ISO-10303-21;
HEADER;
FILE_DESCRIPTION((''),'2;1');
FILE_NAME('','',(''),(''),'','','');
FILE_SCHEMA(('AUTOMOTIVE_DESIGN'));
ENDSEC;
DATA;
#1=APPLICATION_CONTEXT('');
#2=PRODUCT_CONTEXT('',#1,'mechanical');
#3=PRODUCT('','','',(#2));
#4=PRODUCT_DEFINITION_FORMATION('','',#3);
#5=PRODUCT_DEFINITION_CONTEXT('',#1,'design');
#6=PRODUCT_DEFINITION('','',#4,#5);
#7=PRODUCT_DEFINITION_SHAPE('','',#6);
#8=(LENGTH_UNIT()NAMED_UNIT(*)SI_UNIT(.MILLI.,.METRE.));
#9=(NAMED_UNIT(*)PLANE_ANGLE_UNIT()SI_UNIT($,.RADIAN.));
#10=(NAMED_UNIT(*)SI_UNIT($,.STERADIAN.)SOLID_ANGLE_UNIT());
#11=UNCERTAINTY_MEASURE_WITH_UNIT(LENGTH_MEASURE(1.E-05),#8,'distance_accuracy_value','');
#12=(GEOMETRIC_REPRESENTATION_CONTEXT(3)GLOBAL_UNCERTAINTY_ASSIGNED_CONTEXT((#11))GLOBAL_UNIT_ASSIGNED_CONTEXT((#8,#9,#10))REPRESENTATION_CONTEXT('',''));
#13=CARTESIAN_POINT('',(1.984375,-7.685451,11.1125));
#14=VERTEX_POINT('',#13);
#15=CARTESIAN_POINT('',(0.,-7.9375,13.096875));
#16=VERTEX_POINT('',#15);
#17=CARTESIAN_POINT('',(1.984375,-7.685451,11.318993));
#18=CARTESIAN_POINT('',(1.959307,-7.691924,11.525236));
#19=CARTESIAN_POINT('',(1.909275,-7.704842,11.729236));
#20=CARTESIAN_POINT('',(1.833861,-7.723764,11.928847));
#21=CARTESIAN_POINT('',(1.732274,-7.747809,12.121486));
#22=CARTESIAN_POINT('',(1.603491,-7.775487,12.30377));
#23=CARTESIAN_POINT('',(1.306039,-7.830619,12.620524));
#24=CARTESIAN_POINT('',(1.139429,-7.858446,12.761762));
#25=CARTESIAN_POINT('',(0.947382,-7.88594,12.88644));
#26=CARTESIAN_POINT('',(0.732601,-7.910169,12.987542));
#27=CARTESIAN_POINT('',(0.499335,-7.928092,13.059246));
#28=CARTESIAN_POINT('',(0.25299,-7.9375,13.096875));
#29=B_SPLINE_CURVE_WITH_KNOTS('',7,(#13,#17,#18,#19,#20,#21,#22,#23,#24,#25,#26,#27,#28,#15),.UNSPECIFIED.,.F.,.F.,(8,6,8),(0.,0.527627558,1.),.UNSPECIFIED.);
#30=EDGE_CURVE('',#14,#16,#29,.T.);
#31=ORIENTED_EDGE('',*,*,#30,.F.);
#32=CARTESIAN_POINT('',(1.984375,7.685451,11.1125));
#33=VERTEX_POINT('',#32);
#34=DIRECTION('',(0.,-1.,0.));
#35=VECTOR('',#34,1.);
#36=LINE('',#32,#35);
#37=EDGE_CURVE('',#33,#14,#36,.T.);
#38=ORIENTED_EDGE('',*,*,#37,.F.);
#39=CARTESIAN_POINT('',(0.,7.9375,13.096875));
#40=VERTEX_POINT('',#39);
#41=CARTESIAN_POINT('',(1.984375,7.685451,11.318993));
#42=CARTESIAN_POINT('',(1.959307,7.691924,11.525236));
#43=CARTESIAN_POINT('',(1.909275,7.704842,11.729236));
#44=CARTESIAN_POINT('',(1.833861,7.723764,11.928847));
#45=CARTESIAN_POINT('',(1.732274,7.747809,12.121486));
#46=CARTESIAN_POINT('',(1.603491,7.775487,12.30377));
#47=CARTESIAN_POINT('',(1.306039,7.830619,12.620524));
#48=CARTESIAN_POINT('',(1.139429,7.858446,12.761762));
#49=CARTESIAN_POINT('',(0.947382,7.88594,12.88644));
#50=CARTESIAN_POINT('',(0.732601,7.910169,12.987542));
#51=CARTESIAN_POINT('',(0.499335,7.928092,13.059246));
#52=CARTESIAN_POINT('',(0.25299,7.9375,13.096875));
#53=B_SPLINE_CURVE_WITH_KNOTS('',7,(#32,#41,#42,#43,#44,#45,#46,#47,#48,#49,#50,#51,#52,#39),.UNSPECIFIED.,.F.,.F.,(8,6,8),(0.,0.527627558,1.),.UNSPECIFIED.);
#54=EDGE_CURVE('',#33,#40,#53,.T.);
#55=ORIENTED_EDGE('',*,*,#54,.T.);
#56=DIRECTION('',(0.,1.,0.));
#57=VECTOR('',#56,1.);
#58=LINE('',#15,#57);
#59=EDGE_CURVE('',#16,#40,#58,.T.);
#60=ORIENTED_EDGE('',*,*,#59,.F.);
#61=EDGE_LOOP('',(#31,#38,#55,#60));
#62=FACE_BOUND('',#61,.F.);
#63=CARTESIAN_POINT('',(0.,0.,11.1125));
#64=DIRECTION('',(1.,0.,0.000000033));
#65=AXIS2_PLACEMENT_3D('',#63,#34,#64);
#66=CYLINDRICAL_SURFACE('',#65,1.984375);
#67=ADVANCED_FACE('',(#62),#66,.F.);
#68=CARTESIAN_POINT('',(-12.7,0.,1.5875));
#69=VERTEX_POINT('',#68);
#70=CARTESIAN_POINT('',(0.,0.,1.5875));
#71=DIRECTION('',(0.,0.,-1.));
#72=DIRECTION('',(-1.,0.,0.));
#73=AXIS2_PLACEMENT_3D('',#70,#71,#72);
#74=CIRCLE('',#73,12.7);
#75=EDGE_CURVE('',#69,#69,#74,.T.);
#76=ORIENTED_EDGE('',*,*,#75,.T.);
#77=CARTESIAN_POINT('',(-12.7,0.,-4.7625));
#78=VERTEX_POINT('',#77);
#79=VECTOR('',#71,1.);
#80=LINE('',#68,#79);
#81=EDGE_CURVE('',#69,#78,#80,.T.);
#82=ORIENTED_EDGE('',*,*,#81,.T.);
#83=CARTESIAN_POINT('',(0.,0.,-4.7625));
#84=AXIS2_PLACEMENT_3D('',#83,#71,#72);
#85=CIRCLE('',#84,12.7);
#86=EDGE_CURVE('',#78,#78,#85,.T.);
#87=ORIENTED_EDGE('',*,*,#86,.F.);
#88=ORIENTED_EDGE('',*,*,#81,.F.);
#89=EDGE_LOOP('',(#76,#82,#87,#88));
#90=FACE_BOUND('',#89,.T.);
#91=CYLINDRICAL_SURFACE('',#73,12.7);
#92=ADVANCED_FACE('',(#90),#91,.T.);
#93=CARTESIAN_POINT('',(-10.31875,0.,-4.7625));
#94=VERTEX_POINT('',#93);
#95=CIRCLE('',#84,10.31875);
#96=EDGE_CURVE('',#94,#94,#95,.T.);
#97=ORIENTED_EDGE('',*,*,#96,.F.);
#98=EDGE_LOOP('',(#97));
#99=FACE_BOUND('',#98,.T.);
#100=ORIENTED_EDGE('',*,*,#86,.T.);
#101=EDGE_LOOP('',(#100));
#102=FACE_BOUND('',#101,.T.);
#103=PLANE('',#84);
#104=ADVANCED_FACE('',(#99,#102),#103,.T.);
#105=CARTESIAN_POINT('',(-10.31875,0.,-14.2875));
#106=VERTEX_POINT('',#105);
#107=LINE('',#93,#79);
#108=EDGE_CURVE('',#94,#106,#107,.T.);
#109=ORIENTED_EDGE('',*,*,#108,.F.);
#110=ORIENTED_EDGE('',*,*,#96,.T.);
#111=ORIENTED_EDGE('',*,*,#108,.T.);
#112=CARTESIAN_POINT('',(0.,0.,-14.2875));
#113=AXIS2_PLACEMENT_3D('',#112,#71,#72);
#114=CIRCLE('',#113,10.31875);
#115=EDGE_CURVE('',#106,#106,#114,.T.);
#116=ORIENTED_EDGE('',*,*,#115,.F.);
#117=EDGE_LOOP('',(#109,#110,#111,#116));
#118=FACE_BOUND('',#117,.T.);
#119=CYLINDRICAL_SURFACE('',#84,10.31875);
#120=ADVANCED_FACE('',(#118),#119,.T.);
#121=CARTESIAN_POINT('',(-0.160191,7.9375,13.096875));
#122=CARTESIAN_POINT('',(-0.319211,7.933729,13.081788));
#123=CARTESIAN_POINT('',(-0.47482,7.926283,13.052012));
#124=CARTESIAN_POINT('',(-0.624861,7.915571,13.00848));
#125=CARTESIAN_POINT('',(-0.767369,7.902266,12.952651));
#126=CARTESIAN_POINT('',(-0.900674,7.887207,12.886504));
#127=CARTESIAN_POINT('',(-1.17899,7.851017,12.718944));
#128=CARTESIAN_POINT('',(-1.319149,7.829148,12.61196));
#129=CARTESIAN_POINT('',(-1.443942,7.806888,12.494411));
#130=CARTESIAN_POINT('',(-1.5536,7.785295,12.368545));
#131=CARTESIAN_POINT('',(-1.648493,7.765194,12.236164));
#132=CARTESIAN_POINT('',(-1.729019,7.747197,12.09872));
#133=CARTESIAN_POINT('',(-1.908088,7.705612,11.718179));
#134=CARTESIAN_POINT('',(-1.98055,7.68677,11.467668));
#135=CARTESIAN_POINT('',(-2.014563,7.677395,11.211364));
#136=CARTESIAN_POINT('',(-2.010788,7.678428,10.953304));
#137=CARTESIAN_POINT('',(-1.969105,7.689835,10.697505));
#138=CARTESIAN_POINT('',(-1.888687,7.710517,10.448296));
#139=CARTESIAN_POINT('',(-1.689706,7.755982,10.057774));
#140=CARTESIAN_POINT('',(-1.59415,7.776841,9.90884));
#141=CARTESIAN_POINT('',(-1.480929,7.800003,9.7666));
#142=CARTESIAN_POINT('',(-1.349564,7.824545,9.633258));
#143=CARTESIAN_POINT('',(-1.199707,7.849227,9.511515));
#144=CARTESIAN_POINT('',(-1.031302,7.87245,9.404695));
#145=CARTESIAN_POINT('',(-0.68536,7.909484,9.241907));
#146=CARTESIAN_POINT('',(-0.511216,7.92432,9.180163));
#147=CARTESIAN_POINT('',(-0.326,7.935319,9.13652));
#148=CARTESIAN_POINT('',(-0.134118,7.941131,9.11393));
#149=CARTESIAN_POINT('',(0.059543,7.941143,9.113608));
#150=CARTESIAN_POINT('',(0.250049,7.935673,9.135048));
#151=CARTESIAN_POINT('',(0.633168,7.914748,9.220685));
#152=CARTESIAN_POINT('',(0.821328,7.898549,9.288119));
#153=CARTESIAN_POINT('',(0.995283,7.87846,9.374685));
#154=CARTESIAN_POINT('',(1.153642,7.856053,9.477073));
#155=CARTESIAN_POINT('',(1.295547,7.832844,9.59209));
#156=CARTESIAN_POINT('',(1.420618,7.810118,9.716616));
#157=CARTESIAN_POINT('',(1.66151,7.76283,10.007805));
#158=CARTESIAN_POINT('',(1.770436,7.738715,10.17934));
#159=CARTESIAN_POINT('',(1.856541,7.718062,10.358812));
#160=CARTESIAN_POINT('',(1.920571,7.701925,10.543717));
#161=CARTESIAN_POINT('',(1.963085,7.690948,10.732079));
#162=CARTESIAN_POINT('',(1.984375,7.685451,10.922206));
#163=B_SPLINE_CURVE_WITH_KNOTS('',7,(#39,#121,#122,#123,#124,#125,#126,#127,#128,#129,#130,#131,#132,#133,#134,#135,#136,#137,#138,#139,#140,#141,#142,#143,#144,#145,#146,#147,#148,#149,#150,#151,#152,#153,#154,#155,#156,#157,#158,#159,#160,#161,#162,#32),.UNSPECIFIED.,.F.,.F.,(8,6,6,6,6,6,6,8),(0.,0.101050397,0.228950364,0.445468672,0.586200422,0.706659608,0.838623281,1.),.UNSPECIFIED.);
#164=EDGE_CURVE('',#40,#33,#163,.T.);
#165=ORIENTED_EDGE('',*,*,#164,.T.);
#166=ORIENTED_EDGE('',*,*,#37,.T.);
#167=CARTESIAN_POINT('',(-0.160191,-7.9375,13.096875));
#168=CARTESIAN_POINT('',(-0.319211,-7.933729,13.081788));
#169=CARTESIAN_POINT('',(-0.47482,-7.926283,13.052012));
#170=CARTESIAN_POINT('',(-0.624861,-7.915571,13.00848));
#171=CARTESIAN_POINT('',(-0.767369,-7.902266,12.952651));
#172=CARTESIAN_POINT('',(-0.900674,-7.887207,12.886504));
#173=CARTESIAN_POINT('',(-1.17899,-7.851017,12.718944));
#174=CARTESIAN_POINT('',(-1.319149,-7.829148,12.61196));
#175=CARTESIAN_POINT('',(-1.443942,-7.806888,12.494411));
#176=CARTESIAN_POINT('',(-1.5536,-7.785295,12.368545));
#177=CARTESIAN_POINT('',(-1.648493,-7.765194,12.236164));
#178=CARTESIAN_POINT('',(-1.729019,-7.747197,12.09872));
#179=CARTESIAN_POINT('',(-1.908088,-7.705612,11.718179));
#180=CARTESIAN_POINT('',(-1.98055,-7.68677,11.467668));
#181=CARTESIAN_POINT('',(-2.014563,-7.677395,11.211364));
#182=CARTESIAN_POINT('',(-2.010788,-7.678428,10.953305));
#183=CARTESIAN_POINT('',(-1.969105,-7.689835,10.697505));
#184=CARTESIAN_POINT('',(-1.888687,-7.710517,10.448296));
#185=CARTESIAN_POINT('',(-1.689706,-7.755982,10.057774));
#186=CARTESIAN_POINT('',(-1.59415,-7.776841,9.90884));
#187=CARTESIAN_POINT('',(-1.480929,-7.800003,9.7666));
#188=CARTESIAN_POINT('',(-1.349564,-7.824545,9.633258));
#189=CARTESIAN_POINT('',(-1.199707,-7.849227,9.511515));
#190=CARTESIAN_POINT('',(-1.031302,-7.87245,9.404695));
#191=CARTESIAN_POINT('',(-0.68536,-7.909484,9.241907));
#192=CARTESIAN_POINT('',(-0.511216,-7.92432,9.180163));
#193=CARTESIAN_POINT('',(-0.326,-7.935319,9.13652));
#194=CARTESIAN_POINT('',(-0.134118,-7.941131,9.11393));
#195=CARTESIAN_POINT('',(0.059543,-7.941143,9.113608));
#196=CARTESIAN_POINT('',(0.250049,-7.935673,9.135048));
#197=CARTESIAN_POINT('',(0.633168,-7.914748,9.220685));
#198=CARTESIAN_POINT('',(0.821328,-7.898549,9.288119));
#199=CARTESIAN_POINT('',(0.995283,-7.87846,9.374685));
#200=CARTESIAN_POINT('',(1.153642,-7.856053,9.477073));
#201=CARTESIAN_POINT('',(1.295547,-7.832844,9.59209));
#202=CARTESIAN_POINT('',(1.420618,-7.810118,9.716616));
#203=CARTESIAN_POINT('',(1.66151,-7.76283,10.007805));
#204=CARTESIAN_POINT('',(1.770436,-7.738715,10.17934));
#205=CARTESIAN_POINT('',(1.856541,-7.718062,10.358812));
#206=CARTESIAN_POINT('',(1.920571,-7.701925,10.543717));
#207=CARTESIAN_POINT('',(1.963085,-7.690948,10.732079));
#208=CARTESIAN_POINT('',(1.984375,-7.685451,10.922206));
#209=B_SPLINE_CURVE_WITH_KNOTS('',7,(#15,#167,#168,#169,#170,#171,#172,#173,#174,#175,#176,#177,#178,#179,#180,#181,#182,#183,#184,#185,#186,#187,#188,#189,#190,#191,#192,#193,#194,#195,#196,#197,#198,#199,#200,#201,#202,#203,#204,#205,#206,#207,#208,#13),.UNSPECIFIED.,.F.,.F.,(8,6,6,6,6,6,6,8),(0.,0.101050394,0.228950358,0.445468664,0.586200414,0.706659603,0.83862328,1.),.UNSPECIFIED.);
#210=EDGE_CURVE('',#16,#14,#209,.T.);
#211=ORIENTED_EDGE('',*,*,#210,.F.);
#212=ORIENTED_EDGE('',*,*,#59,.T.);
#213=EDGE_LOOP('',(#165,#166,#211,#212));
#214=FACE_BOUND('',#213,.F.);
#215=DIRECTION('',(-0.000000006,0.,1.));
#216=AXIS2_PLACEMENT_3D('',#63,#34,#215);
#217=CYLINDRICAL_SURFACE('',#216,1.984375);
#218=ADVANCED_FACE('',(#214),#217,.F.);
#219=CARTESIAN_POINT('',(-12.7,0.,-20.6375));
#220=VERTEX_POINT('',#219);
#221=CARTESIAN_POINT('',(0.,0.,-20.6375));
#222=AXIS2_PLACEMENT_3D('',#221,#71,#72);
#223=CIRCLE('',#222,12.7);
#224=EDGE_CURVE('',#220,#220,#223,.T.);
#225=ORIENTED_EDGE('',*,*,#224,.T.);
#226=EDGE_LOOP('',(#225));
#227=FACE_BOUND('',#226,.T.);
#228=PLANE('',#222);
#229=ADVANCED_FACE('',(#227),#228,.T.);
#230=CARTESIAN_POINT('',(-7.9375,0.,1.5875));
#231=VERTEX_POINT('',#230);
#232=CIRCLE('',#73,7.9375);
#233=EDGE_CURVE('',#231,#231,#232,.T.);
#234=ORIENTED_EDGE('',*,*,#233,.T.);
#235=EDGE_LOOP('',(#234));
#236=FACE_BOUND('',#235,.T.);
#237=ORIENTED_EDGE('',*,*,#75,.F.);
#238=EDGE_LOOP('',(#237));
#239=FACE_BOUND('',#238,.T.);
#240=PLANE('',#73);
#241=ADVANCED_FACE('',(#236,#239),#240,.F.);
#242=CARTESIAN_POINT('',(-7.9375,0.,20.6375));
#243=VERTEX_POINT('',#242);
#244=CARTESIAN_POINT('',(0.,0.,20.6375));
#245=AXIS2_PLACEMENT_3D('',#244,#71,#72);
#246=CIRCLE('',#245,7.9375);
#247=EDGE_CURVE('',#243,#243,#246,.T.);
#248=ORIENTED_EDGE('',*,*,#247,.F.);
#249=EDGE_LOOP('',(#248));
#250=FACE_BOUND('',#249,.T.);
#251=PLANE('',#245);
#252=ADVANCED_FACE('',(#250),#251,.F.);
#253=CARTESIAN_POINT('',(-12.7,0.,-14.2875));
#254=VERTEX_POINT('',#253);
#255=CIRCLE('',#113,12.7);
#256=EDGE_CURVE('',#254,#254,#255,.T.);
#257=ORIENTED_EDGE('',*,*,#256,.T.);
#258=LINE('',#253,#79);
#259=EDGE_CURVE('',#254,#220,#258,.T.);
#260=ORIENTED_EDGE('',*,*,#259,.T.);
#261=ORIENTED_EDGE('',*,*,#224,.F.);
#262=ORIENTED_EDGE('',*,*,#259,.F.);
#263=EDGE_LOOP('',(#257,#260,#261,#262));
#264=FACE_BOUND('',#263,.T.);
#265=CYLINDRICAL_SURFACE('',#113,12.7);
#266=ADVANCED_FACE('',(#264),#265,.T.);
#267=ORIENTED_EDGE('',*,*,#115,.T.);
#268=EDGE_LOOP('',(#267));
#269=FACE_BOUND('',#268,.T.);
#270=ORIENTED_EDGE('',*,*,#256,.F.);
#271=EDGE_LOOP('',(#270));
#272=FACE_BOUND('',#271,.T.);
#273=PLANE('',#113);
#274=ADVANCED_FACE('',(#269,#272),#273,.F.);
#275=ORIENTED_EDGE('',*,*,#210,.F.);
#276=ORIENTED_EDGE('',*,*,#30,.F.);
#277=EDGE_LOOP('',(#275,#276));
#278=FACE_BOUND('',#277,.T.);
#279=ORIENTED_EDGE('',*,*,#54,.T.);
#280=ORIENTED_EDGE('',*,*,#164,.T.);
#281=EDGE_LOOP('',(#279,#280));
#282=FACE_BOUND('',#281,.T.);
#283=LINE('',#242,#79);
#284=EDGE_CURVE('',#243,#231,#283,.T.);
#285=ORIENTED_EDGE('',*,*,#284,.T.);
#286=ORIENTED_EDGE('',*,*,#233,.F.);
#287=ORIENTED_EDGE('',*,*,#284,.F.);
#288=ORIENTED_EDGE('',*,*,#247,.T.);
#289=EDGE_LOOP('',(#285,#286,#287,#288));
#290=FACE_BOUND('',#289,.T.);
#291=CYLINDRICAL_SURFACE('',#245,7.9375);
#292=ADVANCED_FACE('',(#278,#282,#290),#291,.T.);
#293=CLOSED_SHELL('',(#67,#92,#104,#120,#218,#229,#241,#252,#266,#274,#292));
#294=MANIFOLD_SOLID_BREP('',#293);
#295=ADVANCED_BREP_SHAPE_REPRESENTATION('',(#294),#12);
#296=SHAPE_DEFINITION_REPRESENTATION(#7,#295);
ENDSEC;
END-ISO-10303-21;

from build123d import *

# Parameters (mm, degrees)
F3_DEPTH      = 12.701
F3_DEPTH_BACK = 12.701


with BuildPart() as f1:
    # F0 (on Front) → F1 (revolve)
    with BuildSketch(Plane.XZ):
        Polygon((0, -20.6375), (0, 20.6375), (-7.9375, 20.6375), (-7.9375, 1.5875), (-12.7, 1.5875), (-12.7, -4.7625), (-10.31875, -4.7625), (-10.31875, -14.2875), (-12.7, -14.2875), (-12.7, -20.6375), align=None)
    revolve(axis=Axis((0, 0, 0), (0, 0, -1)))

    # F2 (on Front) → F3 (cut, two sides)
    with BuildSketch(Plane.XZ) as f3_sk:
        with BuildLine():
            ThreePointArc((0, 13.096875), (-1.403165, 9.709335), (1.984375, 11.1125))
            ThreePointArc((1.984375, 11.1125), (1.403165, 12.515665), (0, 13.096875))
        make_face()
    extrude(amount=F3_DEPTH, mode=Mode.SUBTRACT)
    extrude(f3_sk.sketch, amount=-F3_DEPTH_BACK, mode=Mode.SUBTRACT)


solid = f1.part
